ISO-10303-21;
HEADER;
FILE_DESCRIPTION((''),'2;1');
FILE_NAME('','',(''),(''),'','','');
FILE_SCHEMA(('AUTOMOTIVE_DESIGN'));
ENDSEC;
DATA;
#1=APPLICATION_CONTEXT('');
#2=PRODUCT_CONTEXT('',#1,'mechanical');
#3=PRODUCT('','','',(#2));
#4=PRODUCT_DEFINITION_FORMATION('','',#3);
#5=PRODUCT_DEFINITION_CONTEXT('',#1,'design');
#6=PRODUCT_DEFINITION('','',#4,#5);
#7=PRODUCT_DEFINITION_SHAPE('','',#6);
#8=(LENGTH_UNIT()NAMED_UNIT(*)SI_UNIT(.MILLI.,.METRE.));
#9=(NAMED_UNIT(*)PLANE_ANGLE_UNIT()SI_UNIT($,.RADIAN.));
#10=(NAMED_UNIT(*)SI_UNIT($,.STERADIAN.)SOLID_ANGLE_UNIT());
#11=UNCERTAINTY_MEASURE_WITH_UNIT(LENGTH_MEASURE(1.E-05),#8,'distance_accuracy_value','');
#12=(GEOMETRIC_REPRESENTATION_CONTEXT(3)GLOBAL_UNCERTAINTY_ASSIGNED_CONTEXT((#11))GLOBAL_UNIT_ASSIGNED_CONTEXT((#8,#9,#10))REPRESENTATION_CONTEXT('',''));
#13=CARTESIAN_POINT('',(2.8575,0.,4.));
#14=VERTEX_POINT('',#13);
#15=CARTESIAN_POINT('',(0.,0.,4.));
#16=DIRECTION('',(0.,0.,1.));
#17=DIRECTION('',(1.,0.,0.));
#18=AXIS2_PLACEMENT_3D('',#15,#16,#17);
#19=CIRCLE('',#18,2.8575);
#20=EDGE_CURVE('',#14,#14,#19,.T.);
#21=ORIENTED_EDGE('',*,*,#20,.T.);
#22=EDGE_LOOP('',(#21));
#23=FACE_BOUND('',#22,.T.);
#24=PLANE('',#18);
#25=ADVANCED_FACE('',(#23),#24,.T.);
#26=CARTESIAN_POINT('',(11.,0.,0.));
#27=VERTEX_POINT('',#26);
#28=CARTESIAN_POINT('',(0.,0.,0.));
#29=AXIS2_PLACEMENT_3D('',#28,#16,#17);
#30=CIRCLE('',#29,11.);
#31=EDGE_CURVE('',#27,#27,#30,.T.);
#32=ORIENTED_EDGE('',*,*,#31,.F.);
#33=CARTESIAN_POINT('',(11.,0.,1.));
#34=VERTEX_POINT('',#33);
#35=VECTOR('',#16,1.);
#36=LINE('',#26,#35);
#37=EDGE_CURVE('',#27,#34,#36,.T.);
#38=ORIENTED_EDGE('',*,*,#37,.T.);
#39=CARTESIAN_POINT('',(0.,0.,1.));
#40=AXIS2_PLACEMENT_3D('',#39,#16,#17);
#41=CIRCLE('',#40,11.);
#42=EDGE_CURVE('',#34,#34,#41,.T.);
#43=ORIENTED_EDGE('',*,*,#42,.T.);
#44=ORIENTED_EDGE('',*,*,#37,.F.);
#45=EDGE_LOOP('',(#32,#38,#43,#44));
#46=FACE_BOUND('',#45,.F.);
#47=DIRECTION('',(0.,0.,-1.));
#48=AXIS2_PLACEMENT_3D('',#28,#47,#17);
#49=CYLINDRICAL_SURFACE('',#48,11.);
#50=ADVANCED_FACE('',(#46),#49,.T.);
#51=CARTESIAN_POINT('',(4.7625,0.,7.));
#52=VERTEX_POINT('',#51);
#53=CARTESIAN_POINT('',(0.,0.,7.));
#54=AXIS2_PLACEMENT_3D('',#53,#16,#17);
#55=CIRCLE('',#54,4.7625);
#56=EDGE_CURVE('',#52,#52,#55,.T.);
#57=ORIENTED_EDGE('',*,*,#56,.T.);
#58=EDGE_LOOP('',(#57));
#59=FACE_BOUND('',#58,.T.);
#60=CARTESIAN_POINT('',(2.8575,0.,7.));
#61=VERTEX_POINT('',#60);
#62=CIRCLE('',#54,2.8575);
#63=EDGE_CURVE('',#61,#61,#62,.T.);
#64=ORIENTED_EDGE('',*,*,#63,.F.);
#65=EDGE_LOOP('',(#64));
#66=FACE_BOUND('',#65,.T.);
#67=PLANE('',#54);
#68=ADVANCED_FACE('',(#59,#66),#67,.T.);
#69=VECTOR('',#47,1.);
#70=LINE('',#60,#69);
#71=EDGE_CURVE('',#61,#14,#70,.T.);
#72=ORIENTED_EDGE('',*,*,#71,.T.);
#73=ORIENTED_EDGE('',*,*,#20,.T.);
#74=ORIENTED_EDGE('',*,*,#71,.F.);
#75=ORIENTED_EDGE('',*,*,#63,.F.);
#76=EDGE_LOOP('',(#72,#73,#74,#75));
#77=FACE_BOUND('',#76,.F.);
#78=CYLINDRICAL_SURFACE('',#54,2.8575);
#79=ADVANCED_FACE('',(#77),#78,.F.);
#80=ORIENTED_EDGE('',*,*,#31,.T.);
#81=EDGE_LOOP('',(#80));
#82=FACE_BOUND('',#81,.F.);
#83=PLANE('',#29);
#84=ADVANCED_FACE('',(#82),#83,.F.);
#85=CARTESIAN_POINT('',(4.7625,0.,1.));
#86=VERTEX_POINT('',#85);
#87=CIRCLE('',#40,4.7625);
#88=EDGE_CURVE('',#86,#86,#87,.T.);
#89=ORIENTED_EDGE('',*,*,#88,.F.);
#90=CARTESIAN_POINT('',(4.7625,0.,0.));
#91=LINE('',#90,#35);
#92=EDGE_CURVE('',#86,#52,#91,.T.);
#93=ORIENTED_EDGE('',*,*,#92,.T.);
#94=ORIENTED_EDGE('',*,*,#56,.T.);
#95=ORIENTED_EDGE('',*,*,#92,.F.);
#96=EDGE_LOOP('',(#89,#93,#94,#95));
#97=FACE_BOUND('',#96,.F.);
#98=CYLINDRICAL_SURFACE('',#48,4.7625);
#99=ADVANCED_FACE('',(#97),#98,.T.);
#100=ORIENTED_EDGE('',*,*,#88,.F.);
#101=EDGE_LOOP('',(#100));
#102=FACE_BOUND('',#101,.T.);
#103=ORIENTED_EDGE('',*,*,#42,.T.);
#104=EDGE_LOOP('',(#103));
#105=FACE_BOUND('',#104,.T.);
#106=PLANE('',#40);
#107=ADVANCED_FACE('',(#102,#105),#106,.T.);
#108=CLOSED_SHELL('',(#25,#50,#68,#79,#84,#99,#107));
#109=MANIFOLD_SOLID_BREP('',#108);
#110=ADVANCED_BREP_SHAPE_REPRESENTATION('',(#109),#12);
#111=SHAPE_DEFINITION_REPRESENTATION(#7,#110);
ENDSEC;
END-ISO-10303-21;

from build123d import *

# Parameters (mm, degrees)
F0_R     = 4.7625
F0_R_2   = 2.613606
F1_DEPTH = 7
F0_R_3   = 11
F2_DEPTH = 1
F3_R     = 2.8575
F4_DEPTH = 3


with BuildPart() as f1:
    # F0 (on Top) → F1 (new body)
    with BuildSketch(Plane.XY):
        Circle(F0_R)
        Circle(F0_R_2, mode=Mode.SUBTRACT)
        Circle(F0_R_2)
    extrude(amount=F1_DEPTH)

    # F0 (on Top) → F2 (join)
    with BuildSketch(Plane.XY):
        Circle(F0_R_3)
        Circle(F0_R, mode=Mode.SUBTRACT)
    extrude(amount=F2_DEPTH)

    # F3 (on face) → F4 (cut)
    with BuildSketch(Plane.XY.offset(7)):
        Circle(F3_R)
    extrude(amount=-F4_DEPTH, mode=Mode.SUBTRACT)


solid = f1.part
